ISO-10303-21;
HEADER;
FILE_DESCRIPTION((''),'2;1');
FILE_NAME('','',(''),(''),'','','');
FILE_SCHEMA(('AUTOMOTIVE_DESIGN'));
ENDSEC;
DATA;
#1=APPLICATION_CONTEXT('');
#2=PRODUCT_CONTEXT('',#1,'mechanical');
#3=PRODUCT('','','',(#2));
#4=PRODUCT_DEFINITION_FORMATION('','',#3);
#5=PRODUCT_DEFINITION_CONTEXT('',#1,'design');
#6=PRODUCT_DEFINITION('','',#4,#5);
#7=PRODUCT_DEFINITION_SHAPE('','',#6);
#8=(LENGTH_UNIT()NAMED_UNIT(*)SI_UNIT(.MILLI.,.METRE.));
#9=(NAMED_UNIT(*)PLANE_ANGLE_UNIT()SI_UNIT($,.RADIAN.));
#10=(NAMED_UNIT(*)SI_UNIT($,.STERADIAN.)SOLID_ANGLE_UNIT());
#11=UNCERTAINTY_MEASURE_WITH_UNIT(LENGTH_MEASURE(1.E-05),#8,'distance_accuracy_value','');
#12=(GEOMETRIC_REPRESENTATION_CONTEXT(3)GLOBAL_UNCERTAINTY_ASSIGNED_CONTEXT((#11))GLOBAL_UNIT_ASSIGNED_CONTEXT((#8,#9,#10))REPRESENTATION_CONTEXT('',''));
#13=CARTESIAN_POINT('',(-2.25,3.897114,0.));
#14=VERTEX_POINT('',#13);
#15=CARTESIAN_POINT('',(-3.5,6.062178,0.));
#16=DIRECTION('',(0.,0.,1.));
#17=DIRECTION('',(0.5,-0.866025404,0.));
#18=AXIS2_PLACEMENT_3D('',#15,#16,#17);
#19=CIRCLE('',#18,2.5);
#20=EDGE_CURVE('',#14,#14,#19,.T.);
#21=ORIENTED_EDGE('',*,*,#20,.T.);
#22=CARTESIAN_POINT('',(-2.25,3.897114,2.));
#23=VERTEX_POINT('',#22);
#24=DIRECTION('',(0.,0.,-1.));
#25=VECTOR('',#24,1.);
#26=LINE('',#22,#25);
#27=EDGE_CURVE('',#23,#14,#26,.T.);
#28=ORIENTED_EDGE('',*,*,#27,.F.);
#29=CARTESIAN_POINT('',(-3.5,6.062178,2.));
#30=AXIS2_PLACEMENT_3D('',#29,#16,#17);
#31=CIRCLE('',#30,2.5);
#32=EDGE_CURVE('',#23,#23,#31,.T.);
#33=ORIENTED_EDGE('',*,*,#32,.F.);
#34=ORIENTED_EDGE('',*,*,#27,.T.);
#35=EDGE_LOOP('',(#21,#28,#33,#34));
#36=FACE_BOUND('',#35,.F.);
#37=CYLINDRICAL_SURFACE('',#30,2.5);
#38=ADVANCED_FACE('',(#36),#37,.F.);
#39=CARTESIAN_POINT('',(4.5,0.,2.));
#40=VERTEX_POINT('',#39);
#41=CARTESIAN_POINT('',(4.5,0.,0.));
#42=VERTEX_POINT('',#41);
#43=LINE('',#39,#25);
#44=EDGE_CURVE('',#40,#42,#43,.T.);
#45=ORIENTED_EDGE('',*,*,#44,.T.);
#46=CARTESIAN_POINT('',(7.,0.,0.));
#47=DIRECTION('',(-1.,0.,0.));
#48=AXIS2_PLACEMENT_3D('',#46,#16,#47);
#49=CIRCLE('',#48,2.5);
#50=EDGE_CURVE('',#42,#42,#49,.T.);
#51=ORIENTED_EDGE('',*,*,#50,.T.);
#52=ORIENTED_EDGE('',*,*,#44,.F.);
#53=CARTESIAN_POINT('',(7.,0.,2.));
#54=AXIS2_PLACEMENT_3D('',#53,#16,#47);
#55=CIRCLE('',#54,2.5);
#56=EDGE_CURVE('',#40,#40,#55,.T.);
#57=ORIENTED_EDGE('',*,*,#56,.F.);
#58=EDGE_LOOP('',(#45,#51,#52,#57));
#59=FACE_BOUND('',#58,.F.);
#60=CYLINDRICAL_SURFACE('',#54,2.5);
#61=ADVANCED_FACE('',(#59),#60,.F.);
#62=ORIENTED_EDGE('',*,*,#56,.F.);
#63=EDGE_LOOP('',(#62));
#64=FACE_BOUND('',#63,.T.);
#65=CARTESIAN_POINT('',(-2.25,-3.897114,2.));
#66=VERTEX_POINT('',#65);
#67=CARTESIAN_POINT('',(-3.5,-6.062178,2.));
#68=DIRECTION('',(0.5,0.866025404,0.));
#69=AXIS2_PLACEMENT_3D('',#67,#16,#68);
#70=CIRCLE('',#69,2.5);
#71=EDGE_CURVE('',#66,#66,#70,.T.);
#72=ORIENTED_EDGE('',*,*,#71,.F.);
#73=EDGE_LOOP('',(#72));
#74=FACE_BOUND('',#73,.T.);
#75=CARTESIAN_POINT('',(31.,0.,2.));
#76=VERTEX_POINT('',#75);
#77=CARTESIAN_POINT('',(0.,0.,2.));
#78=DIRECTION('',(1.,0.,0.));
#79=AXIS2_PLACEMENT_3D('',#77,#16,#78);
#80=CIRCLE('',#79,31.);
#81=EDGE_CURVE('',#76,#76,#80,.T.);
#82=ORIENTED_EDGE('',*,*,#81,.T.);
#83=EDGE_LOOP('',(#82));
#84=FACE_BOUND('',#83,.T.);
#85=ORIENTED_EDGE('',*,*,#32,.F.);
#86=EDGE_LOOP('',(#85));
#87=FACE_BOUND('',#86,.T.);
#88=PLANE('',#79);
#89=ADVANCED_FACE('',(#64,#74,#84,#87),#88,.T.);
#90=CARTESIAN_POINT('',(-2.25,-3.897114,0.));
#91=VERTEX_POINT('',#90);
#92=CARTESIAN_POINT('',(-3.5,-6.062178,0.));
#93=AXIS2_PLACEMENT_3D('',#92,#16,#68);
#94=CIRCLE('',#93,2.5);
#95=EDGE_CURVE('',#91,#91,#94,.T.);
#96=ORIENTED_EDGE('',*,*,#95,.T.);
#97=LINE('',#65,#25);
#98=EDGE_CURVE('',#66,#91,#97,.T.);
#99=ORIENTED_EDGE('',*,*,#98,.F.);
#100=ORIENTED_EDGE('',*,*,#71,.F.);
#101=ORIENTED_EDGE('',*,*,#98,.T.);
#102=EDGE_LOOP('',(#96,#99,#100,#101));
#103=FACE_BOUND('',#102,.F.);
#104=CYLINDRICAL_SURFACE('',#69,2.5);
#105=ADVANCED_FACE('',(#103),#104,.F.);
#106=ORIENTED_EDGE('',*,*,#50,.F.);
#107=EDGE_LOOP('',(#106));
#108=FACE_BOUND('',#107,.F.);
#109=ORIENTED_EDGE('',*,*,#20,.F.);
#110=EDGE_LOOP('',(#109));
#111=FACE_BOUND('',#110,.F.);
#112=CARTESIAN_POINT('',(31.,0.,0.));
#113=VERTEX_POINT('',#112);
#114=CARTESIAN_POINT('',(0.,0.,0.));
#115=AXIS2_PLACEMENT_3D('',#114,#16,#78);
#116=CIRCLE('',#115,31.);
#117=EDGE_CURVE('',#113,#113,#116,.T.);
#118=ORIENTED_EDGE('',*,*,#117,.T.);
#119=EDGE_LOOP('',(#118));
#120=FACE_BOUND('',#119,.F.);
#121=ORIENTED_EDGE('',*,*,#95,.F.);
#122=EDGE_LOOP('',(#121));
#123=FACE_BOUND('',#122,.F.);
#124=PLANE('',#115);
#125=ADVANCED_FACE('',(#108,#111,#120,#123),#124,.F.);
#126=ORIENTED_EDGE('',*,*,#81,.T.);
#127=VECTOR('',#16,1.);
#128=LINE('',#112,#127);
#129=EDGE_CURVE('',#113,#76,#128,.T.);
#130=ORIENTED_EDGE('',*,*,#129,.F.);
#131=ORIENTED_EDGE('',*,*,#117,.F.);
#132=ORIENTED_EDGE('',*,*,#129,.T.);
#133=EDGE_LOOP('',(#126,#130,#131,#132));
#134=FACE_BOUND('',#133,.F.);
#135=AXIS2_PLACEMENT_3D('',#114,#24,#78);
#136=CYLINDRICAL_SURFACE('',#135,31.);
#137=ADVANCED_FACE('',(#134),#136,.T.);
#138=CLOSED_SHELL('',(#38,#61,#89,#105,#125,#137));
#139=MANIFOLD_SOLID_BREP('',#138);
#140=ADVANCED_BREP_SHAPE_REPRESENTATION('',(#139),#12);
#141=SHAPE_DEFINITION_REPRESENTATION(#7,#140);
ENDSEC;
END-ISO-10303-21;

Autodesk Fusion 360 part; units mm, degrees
sketch "Sketch1" plane through (0, 0, 0) normal (0, 0, 1) x (1, 0, 0)
  circle A0 centre (0, 0) radius 31
  dimension "d1" = 62
extrude "Extrude1" add sketch "Sketch1" along normal blind 2
sketch "Sketch2" plane through (0, 0, 2) normal (0, 0, 1) x (-1, 0, 0)
  circle A0 centre (0, 0) radius 31
  circle A1 centre (-7, 0) radius 2.5
  dimension "d5" = 5
extrude "Extrude2" cut sketch "Sketch2" against normal blind 10 contours A1
pattern_circular "C-Pattern1" count 3 over 360 about axis through (0, 0, 1.75) along (0, 0, 1) of "Extrude2"
